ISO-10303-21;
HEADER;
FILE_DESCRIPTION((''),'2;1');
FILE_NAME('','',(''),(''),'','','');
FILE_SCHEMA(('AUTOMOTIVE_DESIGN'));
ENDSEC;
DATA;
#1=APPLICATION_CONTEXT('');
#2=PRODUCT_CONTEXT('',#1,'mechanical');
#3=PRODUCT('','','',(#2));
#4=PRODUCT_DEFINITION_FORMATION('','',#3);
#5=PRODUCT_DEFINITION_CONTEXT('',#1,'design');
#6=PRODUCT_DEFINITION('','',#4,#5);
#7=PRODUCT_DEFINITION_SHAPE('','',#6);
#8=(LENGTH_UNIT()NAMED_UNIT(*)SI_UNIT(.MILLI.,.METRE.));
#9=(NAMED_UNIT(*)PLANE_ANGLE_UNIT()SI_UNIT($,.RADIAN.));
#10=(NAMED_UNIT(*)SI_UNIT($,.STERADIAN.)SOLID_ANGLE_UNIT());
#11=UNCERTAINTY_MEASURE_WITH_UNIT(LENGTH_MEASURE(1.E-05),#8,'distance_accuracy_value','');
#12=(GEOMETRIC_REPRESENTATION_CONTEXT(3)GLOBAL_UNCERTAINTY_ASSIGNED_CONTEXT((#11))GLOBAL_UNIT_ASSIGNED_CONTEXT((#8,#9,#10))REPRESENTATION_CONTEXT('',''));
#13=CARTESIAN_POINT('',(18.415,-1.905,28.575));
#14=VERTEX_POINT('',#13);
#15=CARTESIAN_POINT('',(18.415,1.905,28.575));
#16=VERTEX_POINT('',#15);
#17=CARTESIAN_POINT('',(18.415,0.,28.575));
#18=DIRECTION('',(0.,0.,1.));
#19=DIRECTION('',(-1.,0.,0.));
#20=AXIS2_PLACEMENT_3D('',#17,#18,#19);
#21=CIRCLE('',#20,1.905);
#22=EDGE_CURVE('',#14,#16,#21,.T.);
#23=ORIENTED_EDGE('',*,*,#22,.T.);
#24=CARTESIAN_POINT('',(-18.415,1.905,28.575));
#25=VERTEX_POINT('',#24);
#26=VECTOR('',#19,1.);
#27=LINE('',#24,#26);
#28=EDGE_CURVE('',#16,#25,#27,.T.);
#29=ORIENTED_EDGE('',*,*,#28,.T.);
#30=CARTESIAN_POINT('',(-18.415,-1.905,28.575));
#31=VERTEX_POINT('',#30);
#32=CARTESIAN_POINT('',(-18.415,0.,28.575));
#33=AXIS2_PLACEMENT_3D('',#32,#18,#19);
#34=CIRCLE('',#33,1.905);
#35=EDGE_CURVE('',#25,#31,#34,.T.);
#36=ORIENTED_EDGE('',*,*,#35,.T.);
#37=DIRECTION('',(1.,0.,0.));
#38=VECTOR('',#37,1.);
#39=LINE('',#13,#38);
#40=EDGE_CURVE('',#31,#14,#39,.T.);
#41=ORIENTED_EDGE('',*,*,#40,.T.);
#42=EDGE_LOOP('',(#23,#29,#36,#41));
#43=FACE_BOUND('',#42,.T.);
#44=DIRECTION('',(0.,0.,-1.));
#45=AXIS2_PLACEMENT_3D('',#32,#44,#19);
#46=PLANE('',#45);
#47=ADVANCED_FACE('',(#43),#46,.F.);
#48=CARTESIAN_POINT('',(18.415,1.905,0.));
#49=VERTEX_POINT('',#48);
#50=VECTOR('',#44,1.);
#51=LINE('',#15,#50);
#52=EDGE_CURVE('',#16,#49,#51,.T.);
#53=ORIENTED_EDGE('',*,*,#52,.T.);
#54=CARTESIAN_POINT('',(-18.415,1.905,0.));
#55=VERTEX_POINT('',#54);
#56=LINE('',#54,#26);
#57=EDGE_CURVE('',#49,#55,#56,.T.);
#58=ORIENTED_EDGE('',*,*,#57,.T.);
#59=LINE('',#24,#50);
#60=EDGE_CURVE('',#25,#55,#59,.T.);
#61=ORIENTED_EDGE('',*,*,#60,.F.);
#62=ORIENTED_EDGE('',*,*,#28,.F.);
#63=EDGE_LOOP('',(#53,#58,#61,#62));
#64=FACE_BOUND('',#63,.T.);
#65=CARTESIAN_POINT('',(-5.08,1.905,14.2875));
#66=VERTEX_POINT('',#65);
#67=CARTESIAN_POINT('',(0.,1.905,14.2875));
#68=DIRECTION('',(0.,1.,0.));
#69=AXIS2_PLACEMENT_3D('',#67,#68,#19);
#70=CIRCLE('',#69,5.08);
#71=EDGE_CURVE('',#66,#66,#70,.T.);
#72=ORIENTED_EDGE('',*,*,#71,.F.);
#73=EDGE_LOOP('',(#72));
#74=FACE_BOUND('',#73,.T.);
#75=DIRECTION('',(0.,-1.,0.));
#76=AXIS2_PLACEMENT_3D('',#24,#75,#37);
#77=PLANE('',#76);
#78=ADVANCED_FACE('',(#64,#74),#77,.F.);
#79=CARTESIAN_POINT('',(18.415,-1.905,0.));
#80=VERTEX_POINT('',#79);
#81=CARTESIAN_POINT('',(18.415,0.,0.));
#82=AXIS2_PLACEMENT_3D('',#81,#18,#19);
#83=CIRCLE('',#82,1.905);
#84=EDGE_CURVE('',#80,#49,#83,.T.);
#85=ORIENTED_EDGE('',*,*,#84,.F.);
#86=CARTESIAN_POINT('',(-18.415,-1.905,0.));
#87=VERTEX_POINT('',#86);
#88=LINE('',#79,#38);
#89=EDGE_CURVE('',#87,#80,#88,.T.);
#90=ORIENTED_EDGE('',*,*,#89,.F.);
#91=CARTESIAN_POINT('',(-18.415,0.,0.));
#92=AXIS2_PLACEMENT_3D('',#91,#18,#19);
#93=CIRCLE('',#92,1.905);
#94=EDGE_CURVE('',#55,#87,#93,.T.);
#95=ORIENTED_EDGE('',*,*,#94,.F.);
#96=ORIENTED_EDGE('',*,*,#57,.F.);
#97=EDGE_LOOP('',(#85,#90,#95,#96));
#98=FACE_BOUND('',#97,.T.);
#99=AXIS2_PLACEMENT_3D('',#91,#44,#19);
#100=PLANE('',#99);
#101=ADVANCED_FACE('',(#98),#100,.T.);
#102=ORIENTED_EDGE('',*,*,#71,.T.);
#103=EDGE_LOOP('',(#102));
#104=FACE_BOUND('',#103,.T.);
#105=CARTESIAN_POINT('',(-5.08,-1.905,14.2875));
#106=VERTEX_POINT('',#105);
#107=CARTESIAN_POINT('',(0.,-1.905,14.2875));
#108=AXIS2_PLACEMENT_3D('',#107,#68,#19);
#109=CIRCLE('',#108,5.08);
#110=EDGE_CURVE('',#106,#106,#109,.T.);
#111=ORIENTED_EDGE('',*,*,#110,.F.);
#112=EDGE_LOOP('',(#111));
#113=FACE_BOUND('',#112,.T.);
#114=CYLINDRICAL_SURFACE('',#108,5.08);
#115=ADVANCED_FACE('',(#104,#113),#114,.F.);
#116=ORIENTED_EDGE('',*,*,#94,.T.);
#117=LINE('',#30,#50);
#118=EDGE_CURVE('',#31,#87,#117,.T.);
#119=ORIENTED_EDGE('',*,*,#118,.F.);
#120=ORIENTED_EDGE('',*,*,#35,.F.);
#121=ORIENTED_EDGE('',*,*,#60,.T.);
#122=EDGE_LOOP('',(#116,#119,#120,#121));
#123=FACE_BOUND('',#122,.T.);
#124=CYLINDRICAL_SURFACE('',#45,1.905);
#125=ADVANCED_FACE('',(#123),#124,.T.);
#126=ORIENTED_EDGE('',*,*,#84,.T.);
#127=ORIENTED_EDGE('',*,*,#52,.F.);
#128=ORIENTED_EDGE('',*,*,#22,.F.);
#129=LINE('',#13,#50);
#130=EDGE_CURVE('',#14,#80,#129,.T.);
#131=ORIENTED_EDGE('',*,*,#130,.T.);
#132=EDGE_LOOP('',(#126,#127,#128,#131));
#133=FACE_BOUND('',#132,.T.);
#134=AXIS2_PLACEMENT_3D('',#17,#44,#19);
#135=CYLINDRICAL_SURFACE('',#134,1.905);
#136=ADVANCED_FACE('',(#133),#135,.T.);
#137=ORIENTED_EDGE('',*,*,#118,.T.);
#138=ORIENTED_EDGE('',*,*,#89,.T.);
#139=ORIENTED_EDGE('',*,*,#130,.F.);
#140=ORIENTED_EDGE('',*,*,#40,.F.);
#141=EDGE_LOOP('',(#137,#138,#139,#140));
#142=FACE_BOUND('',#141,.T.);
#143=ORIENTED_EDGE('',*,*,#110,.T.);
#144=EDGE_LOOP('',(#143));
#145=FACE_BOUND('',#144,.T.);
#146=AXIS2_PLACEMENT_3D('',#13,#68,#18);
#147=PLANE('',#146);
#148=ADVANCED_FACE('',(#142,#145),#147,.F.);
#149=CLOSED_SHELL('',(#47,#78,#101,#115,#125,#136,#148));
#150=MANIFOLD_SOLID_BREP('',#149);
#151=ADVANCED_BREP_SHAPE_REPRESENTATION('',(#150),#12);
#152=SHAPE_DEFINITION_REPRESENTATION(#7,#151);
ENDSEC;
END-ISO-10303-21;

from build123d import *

# Parameters (mm, degrees)
MOUNT_DEPTH = 28.575
SKETCH2_R   = 5.08
HOLE_DEPTH  = 4.81


with BuildPart() as part:
    # Sketch1 → Mount (new body)
    with BuildSketch(Plane.XY):
        with BuildLine():
            Line((-18.415, 1.905), (18.415, 1.905))
            ThreePointArc((18.415, 1.905), (20.32, 0), (18.415, -1.905))
            Line((18.415, -1.905), (-18.415, -1.905))
            ThreePointArc((-18.415, -1.905), (-20.32, 0), (-18.415, 1.905))
        make_face()
    extrude(amount=MOUNT_DEPTH)

    # Sketch2 → Hole (cut, through all)
    with BuildSketch(Plane(origin=(0, 1.905, 0), x_dir=(1, 0, 0), z_dir=(0, 1, 0))):
        with Locations((0, -14.2875)):
            Circle(SKETCH2_R)
    extrude(amount=-HOLE_DEPTH, mode=Mode.SUBTRACT)


solid = part.part
